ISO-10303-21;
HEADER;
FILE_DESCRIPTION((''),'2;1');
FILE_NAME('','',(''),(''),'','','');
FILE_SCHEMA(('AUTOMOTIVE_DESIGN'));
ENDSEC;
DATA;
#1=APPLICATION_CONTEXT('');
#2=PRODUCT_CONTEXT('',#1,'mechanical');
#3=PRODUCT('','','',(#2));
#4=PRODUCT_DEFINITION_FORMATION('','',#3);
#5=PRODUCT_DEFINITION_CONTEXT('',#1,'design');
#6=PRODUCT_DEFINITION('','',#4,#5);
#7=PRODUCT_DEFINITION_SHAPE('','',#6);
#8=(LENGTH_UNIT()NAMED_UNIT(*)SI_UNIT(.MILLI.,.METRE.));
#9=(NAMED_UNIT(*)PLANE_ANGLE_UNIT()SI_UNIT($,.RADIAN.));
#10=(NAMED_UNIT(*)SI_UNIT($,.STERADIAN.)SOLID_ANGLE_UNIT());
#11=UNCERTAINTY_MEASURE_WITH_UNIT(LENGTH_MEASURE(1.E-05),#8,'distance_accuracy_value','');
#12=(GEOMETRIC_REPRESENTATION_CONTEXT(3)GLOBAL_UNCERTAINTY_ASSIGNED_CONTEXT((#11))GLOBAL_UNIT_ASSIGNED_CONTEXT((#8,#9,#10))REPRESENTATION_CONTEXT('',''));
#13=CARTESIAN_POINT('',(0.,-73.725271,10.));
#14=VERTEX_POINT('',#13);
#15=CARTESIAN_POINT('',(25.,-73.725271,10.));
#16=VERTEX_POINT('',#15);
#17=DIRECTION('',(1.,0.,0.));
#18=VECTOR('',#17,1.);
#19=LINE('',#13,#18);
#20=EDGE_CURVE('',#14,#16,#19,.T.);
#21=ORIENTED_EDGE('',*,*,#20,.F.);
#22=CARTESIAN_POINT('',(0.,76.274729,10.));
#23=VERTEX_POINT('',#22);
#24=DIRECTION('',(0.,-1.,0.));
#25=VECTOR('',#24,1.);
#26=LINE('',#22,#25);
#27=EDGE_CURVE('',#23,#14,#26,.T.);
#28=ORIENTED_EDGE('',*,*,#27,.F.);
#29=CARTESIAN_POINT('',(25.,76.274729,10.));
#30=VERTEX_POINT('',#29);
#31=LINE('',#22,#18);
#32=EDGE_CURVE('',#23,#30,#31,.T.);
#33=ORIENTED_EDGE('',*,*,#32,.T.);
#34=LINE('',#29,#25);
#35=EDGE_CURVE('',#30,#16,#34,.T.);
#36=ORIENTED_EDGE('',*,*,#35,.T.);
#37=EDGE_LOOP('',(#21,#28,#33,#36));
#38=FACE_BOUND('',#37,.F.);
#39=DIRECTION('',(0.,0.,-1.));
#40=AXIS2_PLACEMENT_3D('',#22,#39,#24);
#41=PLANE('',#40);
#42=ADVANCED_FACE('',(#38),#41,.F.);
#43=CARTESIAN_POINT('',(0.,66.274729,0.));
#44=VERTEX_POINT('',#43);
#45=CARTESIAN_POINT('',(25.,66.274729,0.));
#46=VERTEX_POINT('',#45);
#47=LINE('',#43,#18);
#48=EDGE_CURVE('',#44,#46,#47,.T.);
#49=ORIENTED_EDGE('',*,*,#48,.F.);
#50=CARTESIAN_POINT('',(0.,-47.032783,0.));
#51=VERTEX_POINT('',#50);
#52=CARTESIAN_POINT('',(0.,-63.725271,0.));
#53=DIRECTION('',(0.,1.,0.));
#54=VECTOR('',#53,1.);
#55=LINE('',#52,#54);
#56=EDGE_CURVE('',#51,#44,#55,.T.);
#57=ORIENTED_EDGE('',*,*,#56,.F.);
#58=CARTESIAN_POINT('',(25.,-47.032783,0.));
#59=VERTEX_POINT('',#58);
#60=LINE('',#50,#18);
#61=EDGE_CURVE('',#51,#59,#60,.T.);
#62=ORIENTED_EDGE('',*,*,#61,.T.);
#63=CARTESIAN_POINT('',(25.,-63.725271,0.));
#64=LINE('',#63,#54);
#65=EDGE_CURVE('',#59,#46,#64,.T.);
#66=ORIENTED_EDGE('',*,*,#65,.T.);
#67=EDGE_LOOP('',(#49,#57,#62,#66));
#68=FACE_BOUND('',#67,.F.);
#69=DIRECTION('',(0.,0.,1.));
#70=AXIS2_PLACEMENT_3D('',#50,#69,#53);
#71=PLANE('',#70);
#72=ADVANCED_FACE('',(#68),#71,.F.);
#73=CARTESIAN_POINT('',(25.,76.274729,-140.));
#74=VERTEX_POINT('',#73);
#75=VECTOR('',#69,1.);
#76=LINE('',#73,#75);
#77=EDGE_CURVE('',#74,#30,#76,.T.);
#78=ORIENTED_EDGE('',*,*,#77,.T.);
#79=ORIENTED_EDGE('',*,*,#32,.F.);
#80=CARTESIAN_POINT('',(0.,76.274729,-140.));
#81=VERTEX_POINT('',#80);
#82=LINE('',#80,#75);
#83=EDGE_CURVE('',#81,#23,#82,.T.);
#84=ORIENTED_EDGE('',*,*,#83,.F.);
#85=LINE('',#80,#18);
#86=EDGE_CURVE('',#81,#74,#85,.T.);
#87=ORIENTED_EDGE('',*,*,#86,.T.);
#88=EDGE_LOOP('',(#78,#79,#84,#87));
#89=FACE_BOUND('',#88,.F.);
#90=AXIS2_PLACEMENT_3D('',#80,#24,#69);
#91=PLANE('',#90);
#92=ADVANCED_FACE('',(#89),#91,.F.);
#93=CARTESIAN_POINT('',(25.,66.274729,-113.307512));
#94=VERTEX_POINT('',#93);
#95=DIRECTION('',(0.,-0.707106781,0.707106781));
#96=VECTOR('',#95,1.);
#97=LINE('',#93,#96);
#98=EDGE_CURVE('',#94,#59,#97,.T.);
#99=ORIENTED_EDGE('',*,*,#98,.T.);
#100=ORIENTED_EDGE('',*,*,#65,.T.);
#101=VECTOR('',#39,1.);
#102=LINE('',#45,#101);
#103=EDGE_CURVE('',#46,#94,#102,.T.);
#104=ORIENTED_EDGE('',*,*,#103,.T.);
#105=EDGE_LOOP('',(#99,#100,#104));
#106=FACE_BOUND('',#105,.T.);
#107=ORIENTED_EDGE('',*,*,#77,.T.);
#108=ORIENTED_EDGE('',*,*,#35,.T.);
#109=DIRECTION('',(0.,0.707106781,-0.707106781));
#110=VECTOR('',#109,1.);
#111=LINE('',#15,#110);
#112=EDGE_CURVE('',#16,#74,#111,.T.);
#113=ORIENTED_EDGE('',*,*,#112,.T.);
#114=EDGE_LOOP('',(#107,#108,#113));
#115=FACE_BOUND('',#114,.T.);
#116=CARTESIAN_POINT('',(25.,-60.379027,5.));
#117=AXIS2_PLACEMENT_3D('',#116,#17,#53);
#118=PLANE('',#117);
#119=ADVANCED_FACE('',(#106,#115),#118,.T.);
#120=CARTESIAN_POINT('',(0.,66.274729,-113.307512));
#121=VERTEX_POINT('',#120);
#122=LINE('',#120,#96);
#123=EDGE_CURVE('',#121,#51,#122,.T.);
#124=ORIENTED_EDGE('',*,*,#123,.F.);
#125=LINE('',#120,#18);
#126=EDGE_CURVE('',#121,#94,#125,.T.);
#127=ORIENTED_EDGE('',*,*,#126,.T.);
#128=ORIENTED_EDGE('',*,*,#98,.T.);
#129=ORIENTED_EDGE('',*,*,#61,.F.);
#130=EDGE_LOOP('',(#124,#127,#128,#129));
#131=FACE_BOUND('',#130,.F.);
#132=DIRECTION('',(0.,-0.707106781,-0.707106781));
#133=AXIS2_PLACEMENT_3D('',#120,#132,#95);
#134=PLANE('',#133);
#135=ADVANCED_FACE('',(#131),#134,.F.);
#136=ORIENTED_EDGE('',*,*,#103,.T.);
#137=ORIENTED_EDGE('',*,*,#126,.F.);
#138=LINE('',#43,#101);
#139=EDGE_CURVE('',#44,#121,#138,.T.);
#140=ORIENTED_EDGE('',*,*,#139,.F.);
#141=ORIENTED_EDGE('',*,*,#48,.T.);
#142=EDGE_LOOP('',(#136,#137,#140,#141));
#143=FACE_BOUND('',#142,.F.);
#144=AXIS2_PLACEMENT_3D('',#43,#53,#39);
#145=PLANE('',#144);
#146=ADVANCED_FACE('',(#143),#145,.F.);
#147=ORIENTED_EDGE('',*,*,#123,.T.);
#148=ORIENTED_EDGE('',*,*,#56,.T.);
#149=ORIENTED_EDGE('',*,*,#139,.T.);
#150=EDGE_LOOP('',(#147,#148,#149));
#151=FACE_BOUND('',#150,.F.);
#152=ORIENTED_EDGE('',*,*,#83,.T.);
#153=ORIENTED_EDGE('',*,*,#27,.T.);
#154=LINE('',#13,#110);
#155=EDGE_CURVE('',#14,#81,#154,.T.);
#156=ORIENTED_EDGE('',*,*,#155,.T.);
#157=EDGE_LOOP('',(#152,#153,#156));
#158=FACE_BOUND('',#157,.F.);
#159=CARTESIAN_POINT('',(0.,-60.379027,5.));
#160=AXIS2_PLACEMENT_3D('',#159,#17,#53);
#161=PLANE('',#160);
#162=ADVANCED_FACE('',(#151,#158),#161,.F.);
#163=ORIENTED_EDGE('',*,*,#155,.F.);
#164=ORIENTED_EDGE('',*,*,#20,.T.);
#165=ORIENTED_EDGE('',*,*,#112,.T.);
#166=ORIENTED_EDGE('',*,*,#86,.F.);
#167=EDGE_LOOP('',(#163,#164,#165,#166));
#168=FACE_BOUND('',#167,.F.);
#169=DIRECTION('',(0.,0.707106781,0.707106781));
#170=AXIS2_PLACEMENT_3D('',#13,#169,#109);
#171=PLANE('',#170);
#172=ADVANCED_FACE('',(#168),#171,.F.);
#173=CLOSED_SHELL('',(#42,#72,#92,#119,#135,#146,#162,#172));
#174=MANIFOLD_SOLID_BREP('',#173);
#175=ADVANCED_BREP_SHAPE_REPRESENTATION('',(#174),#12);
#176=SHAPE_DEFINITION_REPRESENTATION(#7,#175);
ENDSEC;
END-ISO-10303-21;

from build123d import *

# Parameters (mm, degrees)
F1_DEPTH = 25


with BuildPart() as f1:
    # F0 (on Right) → F1 (new body)
    with BuildSketch(Plane.YZ):
        Polygon((-57.0327825844, 10), (-73.7252708524, 10), (-63.7252708524, 0), (-47.0327825844, 0), align=None)
        Polygon((76.2747291476, 10), (-57.0327825844, 10), (-47.0327825844, 0), (66.2747291476, 0), (76.2747291476, 0), align=None)
        Polygon((76.2747291476, -123.307511732), (76.2747291476, 0), (66.2747291476, 0), (66.2747291476, -113.307511732), align=None)
        Polygon((66.2747291476, -113.307511732), (66.2747291476, -130), (76.2747291476, -140), (76.2747291476, -123.307511732), align=None)
        Polygon((-47.0327825844, 0), (-63.7252708524, 0), (66.2747291476, -130), (66.2747291476, -113.307511732), align=None)
    extrude(amount=F1_DEPTH)


solid = f1.part
